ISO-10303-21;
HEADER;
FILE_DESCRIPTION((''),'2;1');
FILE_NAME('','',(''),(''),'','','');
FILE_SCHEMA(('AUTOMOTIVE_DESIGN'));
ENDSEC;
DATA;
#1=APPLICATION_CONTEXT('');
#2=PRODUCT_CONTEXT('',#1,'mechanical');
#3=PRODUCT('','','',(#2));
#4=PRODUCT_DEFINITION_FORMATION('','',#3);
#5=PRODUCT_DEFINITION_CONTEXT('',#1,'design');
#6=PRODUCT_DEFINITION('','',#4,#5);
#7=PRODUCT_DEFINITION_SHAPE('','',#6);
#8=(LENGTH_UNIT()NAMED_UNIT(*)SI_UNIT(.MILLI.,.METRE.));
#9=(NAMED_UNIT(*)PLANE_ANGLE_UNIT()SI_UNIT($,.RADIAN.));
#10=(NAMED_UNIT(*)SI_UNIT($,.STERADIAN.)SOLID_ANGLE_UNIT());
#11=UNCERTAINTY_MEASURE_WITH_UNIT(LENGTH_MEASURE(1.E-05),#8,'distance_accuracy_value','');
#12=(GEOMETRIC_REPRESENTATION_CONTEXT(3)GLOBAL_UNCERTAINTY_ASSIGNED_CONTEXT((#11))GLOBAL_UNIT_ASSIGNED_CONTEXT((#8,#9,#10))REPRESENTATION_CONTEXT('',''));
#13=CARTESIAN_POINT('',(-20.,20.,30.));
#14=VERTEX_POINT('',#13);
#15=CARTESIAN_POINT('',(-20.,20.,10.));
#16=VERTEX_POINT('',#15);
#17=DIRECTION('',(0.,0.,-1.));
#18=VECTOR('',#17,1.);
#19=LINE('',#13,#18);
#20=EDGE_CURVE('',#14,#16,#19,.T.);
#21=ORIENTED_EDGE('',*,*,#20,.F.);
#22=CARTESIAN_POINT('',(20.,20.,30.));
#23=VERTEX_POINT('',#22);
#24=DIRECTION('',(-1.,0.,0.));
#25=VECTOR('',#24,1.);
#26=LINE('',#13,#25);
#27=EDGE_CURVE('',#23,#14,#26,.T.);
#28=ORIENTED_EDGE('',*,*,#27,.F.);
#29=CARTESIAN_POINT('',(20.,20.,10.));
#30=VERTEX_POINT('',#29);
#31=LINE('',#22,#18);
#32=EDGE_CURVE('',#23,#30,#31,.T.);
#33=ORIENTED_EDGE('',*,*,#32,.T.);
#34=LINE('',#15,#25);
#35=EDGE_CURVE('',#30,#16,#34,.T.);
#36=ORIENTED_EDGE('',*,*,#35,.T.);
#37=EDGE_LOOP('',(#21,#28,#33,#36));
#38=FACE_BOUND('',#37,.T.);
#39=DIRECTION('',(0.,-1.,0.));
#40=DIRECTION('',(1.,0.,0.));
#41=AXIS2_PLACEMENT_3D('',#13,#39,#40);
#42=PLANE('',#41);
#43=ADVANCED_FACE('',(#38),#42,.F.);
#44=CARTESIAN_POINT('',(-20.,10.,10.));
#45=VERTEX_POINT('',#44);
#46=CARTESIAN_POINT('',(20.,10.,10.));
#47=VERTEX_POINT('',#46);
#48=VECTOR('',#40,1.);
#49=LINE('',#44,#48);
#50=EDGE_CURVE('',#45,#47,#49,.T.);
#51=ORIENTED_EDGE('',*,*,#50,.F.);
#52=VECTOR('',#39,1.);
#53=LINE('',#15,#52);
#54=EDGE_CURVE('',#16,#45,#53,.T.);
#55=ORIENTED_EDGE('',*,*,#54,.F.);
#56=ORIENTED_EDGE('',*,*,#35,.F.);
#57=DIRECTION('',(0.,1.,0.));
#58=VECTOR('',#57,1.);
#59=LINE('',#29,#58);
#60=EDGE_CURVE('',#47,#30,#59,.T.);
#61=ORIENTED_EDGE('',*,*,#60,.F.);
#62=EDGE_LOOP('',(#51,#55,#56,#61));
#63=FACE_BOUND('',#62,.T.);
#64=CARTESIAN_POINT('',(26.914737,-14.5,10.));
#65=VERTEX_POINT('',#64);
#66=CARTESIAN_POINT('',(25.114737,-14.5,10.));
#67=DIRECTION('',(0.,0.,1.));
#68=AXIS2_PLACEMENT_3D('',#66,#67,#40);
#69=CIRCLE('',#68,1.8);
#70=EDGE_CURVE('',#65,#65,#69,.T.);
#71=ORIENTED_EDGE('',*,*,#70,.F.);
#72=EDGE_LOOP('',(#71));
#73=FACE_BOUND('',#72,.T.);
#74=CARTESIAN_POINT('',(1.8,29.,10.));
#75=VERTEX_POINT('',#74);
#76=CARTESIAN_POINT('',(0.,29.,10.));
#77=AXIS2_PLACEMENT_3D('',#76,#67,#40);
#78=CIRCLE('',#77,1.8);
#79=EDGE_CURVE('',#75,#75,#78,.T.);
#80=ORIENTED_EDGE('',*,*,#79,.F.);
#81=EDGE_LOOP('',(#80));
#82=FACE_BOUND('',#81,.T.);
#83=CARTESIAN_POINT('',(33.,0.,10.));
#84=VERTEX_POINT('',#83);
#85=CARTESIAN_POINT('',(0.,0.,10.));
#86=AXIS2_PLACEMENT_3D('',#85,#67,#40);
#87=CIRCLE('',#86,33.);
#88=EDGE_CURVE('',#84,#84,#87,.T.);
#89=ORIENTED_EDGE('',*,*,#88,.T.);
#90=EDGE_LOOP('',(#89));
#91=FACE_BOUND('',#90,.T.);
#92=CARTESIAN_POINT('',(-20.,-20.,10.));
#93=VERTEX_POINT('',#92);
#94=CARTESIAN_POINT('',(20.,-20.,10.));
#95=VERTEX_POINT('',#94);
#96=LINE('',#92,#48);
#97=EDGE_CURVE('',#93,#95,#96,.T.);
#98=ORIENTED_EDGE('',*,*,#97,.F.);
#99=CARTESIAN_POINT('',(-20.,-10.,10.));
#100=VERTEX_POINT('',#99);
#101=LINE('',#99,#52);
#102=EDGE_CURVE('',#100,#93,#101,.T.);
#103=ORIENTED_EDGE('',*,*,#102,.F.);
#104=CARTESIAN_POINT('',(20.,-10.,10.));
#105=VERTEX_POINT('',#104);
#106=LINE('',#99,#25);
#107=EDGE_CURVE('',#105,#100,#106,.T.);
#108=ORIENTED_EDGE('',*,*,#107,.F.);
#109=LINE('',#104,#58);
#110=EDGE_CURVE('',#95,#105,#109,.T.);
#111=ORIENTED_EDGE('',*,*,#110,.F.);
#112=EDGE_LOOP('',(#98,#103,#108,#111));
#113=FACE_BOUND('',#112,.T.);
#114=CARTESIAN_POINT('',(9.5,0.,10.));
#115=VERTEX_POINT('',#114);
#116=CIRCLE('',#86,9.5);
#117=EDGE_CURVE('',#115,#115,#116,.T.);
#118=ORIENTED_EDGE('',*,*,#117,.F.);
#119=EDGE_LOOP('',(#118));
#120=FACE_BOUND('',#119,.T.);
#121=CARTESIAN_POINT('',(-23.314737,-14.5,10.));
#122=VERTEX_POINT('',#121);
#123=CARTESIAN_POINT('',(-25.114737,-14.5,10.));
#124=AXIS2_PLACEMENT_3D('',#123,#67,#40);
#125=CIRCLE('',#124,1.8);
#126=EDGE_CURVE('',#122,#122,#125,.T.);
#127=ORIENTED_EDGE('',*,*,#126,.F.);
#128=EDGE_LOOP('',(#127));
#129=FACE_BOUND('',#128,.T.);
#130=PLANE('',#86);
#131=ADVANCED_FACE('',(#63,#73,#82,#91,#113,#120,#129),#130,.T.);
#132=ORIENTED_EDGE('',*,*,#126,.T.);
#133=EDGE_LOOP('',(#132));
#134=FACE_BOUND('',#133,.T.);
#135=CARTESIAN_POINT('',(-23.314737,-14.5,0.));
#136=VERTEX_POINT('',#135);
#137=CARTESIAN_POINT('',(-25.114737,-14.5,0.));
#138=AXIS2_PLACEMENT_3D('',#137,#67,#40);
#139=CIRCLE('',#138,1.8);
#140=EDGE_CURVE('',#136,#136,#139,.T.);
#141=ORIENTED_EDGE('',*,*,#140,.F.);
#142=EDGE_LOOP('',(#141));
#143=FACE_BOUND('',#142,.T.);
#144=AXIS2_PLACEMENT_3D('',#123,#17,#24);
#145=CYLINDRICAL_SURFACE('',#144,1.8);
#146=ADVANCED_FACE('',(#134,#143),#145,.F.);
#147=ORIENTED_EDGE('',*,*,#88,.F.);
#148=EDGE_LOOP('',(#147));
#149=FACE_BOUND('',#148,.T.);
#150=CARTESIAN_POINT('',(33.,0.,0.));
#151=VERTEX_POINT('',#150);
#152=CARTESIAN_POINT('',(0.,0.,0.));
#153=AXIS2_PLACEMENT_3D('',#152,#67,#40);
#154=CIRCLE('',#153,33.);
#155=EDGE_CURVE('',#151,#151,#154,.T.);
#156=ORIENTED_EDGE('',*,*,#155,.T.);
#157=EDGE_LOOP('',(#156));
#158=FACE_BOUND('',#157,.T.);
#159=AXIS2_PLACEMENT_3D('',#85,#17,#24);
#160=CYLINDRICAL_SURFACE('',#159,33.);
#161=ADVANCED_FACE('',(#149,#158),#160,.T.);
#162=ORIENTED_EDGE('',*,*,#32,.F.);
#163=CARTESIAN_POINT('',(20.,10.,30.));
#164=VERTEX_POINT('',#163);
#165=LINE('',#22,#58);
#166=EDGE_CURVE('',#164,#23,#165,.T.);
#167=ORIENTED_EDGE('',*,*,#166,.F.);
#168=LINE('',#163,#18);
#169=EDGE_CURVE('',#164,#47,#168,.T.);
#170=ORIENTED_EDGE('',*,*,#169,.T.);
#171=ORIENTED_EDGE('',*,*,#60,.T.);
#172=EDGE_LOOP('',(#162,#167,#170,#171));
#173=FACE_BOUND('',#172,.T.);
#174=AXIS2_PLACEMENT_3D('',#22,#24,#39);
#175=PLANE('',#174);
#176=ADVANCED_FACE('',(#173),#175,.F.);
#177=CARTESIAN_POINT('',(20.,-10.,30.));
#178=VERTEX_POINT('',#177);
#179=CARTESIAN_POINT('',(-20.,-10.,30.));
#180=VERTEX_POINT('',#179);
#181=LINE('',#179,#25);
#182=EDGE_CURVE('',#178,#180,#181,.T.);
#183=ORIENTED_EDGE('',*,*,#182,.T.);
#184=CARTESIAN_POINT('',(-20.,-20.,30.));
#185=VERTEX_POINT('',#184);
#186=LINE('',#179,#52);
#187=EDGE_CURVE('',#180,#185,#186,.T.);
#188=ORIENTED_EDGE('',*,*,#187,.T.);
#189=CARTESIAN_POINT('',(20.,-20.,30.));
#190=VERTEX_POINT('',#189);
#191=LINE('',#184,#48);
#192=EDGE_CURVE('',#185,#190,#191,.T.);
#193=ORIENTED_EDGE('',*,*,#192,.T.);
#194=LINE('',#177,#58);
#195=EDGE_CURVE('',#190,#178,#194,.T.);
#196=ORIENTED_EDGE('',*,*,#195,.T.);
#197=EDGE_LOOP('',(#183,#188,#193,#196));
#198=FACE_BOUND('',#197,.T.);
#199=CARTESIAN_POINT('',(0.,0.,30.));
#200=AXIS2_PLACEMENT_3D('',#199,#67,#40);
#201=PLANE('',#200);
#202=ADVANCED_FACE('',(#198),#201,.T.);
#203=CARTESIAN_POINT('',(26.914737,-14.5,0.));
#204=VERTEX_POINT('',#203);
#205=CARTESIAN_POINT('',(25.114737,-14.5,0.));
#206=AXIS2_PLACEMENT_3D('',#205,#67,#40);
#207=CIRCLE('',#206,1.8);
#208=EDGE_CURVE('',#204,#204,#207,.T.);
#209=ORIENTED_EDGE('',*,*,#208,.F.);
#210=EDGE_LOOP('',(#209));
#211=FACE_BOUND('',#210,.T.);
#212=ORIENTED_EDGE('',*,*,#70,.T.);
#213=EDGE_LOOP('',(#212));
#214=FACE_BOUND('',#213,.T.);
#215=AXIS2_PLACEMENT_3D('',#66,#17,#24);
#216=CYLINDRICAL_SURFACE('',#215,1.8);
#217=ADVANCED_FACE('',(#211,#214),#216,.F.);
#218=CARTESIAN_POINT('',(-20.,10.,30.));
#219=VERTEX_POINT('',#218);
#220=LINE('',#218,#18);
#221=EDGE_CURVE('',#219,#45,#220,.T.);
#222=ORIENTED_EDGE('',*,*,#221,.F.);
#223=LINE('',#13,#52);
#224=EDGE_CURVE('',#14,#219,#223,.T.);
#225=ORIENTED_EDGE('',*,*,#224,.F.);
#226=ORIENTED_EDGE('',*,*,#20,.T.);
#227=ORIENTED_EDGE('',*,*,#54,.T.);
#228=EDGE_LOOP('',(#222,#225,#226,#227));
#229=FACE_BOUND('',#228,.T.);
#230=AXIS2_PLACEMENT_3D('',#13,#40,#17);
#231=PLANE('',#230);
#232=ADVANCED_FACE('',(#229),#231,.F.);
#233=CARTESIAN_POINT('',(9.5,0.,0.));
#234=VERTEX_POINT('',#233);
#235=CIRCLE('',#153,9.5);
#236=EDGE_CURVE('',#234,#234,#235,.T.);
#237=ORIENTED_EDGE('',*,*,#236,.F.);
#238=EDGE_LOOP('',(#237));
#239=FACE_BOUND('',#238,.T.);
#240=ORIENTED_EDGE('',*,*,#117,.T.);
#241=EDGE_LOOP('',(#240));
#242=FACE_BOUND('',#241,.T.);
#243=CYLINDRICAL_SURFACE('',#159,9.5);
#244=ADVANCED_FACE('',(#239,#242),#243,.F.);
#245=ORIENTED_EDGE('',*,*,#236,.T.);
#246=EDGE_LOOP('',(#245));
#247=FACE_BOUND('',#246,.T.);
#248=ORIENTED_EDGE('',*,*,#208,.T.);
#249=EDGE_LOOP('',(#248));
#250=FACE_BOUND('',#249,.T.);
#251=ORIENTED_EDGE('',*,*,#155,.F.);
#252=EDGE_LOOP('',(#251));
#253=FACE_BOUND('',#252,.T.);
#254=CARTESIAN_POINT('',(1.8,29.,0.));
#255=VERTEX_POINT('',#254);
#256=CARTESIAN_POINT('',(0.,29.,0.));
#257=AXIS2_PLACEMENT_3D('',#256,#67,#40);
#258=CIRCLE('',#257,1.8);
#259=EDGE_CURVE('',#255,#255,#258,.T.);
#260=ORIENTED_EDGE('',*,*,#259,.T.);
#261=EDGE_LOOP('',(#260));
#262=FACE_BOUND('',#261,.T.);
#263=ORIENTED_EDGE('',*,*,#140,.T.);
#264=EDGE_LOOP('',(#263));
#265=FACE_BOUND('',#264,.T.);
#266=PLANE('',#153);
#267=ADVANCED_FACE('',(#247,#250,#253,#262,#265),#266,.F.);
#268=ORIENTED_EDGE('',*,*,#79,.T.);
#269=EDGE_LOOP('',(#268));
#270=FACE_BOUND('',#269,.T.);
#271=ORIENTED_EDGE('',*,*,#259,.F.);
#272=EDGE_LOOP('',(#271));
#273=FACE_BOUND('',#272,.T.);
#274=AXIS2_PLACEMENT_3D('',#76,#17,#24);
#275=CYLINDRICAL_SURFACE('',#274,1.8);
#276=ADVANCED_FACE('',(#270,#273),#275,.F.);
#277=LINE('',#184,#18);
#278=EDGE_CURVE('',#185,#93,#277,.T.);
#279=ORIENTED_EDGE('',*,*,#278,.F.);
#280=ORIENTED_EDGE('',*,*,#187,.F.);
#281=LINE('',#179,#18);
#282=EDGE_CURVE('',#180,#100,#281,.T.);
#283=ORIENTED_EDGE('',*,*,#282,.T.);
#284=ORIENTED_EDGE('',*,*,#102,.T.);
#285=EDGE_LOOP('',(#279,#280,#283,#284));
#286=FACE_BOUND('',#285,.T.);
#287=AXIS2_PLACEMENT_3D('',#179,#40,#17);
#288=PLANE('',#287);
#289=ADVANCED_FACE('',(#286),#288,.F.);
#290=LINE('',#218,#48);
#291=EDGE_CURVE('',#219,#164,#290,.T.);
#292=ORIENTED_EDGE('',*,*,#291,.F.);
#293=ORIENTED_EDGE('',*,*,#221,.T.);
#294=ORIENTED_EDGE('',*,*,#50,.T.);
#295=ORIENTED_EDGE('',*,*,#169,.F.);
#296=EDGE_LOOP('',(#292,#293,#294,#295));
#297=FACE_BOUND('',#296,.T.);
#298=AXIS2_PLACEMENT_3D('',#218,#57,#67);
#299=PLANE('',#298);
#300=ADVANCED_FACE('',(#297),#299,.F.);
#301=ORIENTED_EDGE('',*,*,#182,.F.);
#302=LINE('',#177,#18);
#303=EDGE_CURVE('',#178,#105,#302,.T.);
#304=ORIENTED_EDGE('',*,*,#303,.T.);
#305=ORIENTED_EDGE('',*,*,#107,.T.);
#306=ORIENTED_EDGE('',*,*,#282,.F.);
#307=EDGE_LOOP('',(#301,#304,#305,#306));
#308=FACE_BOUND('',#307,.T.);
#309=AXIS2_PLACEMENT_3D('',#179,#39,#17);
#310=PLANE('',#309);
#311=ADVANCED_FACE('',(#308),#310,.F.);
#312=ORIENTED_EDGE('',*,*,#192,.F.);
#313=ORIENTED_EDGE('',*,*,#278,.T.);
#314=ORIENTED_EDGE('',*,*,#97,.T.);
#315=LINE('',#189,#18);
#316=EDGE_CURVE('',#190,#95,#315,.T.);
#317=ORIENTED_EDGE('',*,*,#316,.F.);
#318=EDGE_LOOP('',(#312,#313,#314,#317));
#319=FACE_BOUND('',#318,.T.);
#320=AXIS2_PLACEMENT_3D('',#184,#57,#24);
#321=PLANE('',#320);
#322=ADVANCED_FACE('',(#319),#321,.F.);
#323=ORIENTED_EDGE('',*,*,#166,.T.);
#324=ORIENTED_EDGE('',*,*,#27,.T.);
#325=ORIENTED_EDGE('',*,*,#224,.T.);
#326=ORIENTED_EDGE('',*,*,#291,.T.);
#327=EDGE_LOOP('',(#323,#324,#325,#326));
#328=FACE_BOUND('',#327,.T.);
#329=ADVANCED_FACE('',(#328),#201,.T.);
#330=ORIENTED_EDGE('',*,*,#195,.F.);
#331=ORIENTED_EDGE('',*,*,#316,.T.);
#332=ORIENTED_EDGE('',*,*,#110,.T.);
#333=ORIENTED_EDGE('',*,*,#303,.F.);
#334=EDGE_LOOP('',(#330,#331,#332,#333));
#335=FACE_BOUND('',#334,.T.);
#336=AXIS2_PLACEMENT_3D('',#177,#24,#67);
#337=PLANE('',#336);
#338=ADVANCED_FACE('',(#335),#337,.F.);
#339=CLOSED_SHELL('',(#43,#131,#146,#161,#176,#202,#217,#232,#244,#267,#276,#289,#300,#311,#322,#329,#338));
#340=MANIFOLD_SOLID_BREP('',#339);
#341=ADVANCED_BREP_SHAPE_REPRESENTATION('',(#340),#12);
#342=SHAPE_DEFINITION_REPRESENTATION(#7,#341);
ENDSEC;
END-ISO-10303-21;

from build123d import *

# Parameters (mm, degrees)
SKETCH_1_R      = 33
SKETCH_1_R_2    = 1.8
SKETCH_1_R_3    = 9.5
EXTRUDE_1_DEPTH = 10
SKETCH_2_W      = 40
SKETCH_2_H      = 10
EXTRUDE_2_DEPTH = 20


with BuildPart() as part:
    # 草图1 → 凸台-拉伸1 (new body)
    with BuildSketch(Plane.XY):
        Circle(SKETCH_1_R)
        with Locations((0, 29)):
            Circle(SKETCH_1_R_2, mode=Mode.SUBTRACT)
        with Locations((25.11473671, -14.5)):
            Circle(SKETCH_1_R_2, mode=Mode.SUBTRACT)
        with Locations((-25.11473671, -14.5)):
            Circle(SKETCH_1_R_2, mode=Mode.SUBTRACT)
        Circle(SKETCH_1_R_3, mode=Mode.SUBTRACT)
    extrude(amount=EXTRUDE_1_DEPTH)

    # 草图2 → 凸台-拉伸2 (add)
    with BuildSketch(Plane.XY.offset(10)):
        with Locations((0, 15)):
            Rectangle(SKETCH_2_W, SKETCH_2_H)
        with Locations((0, -15)):
            Rectangle(SKETCH_2_W, SKETCH_2_H)
    extrude(amount=EXTRUDE_2_DEPTH)


solid = part.part
